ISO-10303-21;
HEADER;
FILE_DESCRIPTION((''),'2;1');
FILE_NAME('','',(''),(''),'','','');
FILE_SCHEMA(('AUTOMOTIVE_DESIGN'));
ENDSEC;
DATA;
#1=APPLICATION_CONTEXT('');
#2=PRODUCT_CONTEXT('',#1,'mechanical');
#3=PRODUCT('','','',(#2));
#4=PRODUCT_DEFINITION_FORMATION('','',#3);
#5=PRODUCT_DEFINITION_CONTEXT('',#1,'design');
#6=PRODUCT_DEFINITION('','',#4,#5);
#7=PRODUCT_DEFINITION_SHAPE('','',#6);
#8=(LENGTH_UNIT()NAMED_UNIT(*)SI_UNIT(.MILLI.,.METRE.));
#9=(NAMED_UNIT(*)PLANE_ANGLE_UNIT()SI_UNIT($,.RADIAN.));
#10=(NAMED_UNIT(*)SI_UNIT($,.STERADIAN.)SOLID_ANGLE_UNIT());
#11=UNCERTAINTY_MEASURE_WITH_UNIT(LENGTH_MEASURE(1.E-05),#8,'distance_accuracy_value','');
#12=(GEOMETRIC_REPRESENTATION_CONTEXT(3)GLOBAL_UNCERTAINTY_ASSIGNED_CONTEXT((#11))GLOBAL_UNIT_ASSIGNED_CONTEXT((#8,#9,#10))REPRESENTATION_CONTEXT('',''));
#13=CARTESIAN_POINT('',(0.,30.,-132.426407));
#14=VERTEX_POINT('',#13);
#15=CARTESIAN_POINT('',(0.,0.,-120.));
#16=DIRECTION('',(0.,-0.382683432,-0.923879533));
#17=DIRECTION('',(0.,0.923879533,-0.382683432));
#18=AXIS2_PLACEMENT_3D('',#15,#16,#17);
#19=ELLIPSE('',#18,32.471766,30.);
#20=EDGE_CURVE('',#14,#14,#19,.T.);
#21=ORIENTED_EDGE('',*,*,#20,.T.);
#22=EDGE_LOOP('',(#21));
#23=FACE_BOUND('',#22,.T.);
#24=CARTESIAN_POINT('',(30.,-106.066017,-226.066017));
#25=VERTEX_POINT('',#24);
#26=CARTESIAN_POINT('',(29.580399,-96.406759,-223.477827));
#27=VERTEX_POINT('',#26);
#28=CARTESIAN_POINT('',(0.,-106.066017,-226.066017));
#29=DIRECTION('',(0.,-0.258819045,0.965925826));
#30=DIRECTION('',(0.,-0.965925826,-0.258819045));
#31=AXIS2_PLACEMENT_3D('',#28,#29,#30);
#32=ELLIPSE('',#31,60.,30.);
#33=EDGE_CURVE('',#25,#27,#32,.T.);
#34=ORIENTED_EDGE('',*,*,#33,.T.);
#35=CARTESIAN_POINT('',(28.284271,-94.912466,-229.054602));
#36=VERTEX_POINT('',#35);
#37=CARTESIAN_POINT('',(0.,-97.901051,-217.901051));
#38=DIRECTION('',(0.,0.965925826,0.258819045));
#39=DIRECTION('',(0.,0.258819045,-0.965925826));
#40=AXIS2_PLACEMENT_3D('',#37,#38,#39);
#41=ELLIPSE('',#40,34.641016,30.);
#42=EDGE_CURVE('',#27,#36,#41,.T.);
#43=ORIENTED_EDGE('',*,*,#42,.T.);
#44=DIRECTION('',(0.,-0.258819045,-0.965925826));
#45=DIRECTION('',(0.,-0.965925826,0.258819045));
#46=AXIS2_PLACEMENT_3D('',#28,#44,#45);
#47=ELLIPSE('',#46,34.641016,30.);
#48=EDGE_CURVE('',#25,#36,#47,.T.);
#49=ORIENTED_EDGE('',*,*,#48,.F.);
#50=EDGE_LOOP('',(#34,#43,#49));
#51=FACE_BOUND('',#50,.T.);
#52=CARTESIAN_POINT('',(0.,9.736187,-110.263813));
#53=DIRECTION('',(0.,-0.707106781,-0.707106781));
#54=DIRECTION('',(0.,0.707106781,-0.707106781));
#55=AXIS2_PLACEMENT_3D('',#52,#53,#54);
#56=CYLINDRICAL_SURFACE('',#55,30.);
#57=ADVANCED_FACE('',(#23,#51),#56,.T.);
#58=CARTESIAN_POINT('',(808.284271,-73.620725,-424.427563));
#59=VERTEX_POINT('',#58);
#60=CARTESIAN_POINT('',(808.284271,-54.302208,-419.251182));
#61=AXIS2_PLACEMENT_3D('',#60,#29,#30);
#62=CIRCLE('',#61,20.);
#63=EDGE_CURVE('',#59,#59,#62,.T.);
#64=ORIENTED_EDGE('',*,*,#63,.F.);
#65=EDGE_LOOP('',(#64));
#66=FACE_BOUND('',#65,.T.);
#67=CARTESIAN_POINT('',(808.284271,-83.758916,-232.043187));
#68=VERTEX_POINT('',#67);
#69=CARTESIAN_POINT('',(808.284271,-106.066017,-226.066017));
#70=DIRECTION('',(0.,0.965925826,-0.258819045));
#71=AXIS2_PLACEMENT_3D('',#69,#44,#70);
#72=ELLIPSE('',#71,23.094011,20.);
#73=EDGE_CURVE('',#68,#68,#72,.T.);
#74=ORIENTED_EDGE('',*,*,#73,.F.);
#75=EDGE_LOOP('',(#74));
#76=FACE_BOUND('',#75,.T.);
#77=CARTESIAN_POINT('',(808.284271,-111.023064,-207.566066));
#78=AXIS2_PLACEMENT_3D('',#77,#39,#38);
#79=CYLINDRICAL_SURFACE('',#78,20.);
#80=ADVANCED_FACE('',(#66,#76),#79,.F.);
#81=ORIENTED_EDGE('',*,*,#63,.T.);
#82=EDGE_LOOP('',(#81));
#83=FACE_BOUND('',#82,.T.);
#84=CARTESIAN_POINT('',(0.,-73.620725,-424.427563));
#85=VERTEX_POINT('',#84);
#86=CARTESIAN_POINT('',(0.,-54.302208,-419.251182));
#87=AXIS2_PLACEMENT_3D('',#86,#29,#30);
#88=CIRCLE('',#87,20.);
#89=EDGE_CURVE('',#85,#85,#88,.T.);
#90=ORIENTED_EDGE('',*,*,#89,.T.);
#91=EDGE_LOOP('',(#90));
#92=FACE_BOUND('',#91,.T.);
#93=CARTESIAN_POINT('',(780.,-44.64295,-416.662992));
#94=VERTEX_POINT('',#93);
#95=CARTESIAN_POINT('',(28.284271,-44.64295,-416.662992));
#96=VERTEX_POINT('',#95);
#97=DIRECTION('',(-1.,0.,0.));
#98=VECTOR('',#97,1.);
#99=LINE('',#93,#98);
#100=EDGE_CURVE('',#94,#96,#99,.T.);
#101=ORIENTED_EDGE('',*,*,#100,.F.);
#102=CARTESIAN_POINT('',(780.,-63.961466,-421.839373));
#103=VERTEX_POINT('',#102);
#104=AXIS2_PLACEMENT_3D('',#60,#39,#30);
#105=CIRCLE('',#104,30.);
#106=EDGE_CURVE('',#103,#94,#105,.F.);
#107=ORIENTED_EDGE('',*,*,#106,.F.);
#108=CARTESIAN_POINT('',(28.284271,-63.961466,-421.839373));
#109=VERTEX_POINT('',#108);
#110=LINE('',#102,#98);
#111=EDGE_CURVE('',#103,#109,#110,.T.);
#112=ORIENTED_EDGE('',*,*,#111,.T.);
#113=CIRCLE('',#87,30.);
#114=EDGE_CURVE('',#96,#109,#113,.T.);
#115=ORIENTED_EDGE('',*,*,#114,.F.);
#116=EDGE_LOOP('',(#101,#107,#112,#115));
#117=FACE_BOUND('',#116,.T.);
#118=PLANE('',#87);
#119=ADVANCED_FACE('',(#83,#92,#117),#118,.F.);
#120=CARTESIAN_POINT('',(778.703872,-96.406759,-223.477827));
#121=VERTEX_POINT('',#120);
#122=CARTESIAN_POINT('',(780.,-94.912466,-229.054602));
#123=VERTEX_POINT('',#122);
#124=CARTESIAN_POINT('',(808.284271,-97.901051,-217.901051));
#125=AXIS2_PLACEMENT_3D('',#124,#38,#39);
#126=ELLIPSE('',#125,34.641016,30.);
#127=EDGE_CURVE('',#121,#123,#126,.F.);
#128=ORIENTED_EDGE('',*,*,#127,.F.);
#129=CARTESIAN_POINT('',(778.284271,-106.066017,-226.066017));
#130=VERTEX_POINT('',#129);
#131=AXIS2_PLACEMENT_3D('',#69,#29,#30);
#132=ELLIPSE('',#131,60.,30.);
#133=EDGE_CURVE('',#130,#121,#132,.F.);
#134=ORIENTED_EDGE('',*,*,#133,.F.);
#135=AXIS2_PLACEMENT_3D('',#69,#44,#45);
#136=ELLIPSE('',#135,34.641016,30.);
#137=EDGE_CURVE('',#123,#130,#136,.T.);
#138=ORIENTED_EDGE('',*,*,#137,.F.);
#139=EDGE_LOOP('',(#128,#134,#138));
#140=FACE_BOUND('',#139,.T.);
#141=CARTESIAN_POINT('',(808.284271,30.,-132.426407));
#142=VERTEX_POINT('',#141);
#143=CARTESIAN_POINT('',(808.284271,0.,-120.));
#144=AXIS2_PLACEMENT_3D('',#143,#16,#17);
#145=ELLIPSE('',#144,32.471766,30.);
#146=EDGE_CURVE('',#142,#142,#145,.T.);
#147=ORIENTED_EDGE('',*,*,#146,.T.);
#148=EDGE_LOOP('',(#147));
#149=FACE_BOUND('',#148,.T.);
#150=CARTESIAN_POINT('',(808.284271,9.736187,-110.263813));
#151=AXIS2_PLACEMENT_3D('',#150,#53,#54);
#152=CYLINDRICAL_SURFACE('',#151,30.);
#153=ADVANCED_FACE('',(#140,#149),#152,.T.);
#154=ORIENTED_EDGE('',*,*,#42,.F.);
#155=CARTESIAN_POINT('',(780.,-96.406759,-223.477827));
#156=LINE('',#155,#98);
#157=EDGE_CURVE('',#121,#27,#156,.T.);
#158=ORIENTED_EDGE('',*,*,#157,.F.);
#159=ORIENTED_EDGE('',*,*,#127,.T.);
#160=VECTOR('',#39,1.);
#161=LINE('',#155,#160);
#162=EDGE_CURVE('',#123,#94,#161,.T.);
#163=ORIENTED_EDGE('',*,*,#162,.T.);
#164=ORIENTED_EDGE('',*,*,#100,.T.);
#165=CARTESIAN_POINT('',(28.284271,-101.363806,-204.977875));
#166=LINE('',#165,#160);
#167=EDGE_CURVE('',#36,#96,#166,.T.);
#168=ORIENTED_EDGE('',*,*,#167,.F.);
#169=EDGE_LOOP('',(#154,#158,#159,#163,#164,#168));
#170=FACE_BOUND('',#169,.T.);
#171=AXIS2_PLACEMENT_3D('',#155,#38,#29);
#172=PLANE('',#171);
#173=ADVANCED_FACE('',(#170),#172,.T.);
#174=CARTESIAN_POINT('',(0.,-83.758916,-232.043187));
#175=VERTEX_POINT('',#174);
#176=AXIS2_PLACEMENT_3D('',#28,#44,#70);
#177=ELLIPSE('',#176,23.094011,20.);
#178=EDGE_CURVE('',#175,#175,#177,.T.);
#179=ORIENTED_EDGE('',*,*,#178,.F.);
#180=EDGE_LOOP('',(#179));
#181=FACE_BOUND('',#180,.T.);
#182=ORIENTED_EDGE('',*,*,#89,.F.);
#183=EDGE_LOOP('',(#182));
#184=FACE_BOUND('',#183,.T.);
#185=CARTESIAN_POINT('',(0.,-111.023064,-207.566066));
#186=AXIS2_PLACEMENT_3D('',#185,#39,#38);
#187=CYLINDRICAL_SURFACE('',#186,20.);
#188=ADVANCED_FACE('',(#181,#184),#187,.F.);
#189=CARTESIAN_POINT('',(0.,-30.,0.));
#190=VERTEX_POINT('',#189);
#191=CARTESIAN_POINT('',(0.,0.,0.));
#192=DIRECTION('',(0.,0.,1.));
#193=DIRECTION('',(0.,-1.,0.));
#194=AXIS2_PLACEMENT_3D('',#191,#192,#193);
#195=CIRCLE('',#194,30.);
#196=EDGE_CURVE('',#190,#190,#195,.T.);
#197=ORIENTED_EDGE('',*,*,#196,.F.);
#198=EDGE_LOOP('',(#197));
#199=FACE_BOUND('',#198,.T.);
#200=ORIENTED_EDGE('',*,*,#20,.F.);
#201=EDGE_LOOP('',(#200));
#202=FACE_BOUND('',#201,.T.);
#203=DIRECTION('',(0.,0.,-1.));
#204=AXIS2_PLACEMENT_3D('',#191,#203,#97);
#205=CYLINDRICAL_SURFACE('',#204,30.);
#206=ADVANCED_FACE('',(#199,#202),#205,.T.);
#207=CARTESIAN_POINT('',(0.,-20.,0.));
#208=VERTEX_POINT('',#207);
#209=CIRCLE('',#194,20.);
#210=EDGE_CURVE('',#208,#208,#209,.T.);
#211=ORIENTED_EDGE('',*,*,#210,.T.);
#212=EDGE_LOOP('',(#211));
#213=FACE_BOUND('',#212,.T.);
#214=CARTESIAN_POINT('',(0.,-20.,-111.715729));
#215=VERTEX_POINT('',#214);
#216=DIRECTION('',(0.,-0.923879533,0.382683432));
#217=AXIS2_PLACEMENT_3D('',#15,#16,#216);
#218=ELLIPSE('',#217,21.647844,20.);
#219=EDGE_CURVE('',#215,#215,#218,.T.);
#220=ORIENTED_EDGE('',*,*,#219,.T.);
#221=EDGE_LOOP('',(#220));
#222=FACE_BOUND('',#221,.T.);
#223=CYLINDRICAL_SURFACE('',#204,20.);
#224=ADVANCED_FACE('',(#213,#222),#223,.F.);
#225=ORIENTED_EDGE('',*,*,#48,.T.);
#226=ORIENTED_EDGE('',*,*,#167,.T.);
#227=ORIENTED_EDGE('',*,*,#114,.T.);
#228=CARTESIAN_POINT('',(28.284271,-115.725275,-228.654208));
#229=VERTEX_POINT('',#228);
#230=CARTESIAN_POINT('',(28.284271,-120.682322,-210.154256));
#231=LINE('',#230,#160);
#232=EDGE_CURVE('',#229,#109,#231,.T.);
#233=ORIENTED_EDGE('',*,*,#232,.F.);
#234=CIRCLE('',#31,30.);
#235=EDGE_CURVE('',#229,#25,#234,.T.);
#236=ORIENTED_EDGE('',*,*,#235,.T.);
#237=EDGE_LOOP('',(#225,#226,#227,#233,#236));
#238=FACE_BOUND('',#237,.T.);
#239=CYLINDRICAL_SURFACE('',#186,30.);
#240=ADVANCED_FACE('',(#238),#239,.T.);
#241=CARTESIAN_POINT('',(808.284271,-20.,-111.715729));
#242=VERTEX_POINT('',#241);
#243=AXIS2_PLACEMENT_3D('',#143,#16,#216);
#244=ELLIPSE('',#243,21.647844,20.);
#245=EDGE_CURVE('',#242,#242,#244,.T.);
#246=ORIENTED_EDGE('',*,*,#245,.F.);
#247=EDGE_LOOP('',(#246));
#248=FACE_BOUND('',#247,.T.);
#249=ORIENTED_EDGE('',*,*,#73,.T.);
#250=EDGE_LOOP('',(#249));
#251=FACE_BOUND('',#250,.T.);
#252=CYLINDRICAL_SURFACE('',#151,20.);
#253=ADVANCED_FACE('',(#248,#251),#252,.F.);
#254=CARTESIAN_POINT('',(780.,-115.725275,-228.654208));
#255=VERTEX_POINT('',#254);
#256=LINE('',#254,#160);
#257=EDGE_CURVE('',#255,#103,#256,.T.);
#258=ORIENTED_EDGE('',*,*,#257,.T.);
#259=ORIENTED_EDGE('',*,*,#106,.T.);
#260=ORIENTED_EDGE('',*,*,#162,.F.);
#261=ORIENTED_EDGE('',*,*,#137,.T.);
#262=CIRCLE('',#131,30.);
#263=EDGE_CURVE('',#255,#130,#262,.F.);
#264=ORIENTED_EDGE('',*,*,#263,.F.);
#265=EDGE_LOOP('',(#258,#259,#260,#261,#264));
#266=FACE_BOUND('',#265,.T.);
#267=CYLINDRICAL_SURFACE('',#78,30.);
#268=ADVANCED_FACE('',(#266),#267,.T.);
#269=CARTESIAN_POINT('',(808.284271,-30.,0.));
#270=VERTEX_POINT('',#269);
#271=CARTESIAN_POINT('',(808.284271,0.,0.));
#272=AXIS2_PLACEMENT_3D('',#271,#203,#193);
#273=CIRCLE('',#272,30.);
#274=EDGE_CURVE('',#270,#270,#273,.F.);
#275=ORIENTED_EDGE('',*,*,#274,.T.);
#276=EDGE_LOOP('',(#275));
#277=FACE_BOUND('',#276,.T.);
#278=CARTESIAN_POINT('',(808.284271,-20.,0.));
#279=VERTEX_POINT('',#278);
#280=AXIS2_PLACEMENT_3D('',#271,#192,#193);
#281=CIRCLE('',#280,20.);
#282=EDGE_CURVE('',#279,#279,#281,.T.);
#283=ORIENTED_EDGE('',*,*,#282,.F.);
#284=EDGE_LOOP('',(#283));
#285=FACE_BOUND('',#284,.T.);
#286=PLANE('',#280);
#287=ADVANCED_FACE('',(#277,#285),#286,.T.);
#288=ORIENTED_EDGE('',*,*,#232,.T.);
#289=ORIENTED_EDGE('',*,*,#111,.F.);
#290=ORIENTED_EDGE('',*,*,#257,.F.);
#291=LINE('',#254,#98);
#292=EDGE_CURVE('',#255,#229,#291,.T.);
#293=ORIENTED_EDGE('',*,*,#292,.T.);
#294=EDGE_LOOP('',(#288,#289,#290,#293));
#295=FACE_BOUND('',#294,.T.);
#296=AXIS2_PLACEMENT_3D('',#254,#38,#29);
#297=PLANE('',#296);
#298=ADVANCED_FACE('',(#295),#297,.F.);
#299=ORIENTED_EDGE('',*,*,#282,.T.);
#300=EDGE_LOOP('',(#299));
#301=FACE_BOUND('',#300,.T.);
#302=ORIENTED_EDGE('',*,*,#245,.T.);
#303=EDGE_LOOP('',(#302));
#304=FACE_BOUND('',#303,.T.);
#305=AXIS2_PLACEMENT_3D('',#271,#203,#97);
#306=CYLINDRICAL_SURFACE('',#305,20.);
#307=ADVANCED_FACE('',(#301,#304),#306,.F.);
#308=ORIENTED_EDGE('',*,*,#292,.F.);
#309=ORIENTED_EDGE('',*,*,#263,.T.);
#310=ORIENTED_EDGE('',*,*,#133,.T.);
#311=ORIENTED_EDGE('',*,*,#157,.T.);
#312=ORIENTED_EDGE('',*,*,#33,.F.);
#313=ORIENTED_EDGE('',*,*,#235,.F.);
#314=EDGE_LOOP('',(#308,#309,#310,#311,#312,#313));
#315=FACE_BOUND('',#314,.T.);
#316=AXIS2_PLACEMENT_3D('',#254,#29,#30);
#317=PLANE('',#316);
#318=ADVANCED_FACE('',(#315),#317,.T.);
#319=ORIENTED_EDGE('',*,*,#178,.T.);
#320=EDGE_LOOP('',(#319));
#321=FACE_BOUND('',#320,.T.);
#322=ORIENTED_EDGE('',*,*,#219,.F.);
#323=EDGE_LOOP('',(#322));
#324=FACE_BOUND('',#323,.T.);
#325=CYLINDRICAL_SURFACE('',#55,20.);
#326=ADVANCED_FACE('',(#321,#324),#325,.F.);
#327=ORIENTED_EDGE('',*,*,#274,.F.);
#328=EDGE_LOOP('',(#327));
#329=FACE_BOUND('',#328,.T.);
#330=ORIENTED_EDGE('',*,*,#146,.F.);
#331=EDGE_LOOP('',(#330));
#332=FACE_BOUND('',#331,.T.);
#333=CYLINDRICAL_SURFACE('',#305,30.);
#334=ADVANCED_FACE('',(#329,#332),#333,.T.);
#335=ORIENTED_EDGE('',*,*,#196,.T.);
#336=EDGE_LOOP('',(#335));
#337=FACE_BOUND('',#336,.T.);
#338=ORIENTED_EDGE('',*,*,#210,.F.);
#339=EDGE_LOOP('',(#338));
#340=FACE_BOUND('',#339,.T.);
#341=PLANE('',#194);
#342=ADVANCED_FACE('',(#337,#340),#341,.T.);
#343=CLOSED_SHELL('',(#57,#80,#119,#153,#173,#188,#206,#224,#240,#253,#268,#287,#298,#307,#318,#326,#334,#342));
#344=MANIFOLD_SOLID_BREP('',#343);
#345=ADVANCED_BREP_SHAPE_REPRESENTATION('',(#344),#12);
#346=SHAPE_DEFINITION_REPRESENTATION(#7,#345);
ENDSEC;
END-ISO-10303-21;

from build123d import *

# Parameters (mm, degrees)
SWEEP_THIN1_PROFILE_R   = 30
SWEEP_THIN1_PROFILE_R_2 = 20
EXTRUDE_THIN1_START     = 20
EXTRUDE_THIN1_DEPTH     = 760


with BuildPart() as part:
    # Sweep-Thin1: sweep along a path in Sketch21
    with BuildLine(Plane(origin=(0, 0, 0), x_dir=(0, 0, -1), z_dir=(1, 0, 0))) as sweep_thin1_path:
        Line((0, 0), (120, 0))
        Line((120, 0), (226.066017178, -106.066017178))
        Line((226.066017178, -106.066017178), (419.251182436, -54.302208157))
    # Sweep-Thin1 profile (on start of the path) → Sweep-Thin1 (sweep)
    with BuildSketch(Plane(origin=(0, 0, 0), x_dir=(-1, 0, 0), z_dir=(0, 0, -1))):
        Circle(SWEEP_THIN1_PROFILE_R)
        Circle(SWEEP_THIN1_PROFILE_R_2, mode=Mode.SUBTRACT)
    sweep_thin1 = sweep(path=sweep_thin1_path.line, transition=Transition.RIGHT)

    # Sketch32 → Extrude-Thin1 (add)
    with BuildSketch(Plane(origin=(0, 0, 0), x_dir=(0, 0, -1), z_dir=(1, 0, 0)).offset(EXTRUDE_THIN1_START)):
        Polygon((228.654207629, -115.725275441), (421.839372887, -63.96146642), (416.662991985, -44.642949895), (223.477826727, -96.406758915), align=None)
    extrude(amount=EXTRUDE_THIN1_DEPTH)

    # Mirror1: Sweep-Thin1 across plane
    add(sweep_thin1.mirror(Plane(origin=(404.142135624, 0, 0), x_dir=(0, 0, 1), z_dir=(1, 0, 0))))


solid = part.part
